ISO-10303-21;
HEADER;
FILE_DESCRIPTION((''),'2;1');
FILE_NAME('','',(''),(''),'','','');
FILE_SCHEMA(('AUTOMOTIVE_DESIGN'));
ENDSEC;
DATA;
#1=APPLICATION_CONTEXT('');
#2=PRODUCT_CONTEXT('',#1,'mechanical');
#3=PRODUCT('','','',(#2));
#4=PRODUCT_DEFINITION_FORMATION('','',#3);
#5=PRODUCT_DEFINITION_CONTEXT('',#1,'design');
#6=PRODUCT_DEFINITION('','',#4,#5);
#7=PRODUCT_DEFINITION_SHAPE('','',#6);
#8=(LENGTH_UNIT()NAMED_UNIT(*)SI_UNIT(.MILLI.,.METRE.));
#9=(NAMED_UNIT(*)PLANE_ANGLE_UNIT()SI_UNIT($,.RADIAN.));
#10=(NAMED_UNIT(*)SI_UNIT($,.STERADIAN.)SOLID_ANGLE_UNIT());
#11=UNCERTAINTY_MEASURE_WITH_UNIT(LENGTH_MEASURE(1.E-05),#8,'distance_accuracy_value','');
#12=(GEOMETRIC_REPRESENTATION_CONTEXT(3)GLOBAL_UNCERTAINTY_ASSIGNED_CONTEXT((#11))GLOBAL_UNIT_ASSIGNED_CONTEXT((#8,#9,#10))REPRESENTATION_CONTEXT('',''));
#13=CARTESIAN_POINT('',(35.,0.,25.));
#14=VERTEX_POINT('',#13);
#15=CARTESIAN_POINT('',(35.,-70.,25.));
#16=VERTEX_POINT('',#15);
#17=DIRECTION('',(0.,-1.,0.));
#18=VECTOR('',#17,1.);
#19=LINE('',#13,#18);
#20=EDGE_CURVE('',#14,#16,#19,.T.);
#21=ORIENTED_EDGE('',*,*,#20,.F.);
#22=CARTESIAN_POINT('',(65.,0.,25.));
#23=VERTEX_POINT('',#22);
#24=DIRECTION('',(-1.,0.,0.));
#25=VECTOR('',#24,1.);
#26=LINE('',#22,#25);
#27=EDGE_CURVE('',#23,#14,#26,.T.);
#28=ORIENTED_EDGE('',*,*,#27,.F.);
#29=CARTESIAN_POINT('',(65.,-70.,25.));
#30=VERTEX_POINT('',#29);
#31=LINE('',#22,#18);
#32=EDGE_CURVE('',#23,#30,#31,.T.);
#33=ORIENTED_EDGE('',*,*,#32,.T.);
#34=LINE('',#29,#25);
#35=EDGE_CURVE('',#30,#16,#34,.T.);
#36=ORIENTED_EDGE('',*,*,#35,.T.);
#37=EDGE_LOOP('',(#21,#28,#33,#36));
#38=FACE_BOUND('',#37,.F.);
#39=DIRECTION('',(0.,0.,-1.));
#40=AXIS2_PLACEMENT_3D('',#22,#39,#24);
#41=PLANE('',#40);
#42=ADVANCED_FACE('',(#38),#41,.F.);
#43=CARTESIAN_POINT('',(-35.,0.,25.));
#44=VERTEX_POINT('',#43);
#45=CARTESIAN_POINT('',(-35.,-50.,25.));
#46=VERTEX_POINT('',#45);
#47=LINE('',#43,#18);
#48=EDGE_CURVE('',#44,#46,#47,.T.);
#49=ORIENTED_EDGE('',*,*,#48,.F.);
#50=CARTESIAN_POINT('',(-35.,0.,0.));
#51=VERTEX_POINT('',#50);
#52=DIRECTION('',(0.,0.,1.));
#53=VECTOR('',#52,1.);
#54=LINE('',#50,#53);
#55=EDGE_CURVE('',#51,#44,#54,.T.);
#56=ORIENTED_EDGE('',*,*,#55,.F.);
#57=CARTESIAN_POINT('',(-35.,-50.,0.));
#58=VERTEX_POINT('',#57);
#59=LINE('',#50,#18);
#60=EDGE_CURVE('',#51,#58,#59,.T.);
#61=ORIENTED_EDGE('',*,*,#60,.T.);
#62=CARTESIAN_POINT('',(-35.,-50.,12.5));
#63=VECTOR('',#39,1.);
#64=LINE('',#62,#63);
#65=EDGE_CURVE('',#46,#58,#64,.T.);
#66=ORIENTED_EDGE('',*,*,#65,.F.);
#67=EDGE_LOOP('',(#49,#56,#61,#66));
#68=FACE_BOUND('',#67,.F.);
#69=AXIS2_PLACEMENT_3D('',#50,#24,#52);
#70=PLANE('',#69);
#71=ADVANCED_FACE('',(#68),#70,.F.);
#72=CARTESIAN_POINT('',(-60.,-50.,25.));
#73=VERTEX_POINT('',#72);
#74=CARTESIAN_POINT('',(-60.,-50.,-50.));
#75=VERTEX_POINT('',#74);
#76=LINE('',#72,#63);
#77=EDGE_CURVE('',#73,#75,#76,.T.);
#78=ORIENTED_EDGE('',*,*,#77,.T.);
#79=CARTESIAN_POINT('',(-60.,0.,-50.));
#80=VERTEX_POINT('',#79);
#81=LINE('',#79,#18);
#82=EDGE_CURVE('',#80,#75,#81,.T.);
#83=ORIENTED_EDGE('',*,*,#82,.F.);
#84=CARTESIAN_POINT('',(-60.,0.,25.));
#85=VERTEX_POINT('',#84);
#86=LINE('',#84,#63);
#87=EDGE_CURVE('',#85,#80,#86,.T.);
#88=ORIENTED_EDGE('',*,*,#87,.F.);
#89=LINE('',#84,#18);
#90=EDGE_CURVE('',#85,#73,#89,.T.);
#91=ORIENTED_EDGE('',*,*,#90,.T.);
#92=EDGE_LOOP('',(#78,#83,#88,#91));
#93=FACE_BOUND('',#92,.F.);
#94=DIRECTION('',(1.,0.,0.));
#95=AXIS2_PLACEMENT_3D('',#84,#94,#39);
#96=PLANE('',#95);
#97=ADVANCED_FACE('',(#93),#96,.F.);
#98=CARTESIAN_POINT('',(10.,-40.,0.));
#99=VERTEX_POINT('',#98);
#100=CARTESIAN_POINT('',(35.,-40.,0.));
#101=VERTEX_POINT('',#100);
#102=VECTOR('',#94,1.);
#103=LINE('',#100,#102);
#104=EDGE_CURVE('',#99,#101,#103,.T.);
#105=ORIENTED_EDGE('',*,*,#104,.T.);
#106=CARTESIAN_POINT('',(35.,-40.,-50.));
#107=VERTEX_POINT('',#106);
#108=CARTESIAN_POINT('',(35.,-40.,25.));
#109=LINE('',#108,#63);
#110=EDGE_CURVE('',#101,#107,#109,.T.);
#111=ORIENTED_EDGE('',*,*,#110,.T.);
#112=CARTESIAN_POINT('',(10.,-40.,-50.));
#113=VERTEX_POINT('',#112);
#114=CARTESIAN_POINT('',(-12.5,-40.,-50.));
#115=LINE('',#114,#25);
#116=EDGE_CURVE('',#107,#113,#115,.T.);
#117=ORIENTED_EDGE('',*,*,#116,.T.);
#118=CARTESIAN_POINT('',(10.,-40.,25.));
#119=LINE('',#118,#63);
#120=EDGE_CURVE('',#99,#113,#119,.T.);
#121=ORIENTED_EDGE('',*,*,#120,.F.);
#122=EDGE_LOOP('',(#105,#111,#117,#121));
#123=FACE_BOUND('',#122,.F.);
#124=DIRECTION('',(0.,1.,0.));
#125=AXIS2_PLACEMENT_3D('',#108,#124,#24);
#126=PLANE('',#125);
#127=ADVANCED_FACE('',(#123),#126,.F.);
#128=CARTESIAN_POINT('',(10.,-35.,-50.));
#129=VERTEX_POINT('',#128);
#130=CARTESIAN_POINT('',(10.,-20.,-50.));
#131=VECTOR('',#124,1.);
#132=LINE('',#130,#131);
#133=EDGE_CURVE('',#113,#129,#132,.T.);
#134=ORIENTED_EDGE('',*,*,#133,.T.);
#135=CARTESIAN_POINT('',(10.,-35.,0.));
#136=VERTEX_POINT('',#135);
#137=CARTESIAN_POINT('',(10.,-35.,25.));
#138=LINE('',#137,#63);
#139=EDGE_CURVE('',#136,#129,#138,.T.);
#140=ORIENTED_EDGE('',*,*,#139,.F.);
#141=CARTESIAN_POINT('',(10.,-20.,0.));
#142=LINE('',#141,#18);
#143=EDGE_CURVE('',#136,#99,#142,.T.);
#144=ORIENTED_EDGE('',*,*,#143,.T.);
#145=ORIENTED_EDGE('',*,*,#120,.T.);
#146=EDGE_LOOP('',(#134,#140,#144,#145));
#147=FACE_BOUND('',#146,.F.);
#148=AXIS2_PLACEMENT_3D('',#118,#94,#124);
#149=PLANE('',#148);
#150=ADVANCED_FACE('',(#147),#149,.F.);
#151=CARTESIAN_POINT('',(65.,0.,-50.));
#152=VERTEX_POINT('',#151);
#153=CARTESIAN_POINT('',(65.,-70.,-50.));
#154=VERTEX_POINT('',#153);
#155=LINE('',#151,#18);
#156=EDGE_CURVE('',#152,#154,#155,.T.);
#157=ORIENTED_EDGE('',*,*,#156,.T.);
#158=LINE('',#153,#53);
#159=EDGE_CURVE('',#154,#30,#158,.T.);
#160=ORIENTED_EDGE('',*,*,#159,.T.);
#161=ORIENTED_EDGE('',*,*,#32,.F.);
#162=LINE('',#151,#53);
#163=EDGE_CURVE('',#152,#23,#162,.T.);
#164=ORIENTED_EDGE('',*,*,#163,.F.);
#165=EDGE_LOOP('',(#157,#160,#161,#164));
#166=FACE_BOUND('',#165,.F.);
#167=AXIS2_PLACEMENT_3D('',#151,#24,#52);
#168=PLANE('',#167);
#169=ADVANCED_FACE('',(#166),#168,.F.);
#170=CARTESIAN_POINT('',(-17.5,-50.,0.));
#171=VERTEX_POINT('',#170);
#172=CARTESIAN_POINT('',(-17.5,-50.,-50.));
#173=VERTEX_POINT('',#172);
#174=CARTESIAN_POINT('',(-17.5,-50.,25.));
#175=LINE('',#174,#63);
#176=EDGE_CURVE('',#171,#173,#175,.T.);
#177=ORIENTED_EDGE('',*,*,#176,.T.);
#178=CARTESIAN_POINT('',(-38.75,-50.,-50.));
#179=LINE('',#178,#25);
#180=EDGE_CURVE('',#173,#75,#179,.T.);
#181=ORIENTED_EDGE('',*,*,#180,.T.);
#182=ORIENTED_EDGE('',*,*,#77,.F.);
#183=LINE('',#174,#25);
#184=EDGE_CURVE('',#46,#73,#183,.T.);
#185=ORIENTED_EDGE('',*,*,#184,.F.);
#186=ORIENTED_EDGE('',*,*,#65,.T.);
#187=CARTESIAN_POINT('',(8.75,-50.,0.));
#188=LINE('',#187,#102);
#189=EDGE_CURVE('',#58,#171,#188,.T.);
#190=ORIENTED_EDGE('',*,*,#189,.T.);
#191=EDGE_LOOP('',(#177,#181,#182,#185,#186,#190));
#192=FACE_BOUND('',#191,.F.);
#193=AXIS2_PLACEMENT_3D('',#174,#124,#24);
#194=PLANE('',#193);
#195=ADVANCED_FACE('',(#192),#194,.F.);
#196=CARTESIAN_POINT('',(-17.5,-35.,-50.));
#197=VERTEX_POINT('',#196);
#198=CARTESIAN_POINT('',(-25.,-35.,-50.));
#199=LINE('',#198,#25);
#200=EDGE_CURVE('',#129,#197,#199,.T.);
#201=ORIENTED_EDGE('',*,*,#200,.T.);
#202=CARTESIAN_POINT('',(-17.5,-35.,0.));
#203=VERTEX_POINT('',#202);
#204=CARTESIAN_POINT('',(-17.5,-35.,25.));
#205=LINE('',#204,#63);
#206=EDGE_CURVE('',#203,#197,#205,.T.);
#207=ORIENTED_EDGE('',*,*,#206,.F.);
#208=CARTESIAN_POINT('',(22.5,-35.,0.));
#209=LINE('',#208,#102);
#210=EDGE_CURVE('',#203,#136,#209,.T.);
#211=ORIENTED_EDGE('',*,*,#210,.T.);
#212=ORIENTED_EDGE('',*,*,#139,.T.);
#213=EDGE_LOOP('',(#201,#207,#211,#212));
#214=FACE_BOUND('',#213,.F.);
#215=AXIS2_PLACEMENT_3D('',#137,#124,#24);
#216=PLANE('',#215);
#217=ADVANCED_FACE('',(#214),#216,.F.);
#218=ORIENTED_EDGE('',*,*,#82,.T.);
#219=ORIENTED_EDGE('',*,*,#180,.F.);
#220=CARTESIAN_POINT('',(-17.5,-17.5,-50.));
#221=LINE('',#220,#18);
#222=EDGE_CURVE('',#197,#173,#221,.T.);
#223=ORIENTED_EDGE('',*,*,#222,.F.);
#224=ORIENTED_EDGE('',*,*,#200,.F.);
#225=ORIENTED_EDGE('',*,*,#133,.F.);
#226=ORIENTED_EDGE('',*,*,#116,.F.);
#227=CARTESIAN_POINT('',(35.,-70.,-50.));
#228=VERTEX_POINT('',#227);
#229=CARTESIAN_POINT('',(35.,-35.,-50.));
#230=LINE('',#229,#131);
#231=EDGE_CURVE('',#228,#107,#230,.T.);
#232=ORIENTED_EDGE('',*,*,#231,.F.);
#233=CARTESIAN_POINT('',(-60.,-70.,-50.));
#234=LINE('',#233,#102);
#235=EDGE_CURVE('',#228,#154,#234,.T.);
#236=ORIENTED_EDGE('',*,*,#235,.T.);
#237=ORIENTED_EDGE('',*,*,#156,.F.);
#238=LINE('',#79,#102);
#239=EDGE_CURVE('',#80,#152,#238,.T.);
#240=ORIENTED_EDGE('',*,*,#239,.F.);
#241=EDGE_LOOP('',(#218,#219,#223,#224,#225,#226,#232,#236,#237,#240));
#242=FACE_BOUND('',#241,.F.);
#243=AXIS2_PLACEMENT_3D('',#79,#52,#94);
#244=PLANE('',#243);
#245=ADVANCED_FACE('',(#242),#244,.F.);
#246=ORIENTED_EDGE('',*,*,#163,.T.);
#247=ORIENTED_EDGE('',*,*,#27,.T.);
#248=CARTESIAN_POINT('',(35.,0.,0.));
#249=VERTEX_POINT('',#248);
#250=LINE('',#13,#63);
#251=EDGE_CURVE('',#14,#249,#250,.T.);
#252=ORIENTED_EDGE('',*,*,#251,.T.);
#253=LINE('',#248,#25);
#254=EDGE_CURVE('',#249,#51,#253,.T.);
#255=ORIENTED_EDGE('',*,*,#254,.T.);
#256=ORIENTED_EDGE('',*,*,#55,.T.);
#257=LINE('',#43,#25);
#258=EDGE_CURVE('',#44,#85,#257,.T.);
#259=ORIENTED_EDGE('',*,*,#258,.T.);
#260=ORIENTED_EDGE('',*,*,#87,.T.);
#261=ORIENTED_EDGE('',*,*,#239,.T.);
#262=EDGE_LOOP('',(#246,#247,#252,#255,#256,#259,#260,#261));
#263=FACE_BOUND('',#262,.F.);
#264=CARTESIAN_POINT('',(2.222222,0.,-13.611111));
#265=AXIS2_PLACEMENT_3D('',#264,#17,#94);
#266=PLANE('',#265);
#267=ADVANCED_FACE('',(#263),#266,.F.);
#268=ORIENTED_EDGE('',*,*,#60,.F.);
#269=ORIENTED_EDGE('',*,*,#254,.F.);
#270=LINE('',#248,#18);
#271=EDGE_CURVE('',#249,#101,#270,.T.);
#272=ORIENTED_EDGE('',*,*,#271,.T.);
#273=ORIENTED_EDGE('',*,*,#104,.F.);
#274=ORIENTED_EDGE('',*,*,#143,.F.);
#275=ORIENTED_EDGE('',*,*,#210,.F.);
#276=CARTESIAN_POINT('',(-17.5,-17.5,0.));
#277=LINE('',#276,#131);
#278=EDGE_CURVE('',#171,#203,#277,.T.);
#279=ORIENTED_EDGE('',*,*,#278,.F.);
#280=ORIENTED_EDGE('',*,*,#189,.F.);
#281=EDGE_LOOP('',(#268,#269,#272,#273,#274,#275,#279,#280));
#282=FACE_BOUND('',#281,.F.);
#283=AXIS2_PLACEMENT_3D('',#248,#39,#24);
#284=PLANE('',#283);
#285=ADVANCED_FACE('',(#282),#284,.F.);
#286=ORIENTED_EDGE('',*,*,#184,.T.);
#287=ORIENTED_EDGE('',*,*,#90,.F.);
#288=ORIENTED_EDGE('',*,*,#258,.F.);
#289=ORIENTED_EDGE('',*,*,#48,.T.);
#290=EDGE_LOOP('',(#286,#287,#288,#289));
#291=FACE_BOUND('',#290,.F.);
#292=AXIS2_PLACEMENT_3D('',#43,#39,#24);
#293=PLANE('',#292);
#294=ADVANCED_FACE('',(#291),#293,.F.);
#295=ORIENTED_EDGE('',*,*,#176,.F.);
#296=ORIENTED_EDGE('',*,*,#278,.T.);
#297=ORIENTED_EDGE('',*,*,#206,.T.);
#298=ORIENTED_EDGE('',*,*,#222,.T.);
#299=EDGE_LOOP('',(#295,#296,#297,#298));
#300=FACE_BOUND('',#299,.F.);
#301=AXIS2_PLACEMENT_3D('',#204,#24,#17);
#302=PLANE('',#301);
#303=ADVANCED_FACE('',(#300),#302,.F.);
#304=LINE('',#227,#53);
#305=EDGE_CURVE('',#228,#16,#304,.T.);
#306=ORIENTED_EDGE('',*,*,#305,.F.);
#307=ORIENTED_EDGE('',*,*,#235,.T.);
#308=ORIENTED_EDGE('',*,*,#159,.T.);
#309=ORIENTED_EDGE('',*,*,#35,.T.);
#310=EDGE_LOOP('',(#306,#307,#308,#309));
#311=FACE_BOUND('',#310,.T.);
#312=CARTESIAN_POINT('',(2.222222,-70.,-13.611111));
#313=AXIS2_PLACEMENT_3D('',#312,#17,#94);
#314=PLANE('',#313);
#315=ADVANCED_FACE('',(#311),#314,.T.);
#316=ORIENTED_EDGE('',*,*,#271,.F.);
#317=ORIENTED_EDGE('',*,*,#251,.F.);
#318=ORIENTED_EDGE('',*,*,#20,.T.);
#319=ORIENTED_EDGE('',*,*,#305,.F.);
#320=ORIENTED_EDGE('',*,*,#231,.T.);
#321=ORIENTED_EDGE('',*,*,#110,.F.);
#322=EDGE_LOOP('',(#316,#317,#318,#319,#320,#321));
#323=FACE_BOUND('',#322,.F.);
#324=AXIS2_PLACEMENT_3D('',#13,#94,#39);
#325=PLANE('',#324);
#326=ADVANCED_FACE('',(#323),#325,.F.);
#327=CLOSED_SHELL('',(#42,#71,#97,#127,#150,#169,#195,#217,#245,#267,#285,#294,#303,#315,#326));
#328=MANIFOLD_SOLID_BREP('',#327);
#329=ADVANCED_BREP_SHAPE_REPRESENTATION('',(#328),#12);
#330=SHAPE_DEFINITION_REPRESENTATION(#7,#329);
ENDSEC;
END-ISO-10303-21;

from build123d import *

# Parameters (mm, degrees)
F1_DEPTH = 70
F3_DEPTH = 75.001


with BuildPart() as f1:
    # F0 (on Front) → F1 (new body)
    with BuildSketch(Plane.XZ):
        Polygon((-35, 25), (-60, 25), (-60, -50), (65, -50), (65, 25), (35, 25), (35, 0), (-35, 0), align=None)
    extrude(amount=F1_DEPTH)

    # F2 (on face) → F3 (cut, through all)
    with BuildSketch(Plane.XY.offset(25)):
        Polygon((35, -70), (35, -40), (10, -40), (10, -35), (-17.5, -35), (-17.5, -50), (-60, -50), (-60, -70), align=None)
    extrude(amount=-F3_DEPTH, mode=Mode.SUBTRACT)


solid = f1.part
